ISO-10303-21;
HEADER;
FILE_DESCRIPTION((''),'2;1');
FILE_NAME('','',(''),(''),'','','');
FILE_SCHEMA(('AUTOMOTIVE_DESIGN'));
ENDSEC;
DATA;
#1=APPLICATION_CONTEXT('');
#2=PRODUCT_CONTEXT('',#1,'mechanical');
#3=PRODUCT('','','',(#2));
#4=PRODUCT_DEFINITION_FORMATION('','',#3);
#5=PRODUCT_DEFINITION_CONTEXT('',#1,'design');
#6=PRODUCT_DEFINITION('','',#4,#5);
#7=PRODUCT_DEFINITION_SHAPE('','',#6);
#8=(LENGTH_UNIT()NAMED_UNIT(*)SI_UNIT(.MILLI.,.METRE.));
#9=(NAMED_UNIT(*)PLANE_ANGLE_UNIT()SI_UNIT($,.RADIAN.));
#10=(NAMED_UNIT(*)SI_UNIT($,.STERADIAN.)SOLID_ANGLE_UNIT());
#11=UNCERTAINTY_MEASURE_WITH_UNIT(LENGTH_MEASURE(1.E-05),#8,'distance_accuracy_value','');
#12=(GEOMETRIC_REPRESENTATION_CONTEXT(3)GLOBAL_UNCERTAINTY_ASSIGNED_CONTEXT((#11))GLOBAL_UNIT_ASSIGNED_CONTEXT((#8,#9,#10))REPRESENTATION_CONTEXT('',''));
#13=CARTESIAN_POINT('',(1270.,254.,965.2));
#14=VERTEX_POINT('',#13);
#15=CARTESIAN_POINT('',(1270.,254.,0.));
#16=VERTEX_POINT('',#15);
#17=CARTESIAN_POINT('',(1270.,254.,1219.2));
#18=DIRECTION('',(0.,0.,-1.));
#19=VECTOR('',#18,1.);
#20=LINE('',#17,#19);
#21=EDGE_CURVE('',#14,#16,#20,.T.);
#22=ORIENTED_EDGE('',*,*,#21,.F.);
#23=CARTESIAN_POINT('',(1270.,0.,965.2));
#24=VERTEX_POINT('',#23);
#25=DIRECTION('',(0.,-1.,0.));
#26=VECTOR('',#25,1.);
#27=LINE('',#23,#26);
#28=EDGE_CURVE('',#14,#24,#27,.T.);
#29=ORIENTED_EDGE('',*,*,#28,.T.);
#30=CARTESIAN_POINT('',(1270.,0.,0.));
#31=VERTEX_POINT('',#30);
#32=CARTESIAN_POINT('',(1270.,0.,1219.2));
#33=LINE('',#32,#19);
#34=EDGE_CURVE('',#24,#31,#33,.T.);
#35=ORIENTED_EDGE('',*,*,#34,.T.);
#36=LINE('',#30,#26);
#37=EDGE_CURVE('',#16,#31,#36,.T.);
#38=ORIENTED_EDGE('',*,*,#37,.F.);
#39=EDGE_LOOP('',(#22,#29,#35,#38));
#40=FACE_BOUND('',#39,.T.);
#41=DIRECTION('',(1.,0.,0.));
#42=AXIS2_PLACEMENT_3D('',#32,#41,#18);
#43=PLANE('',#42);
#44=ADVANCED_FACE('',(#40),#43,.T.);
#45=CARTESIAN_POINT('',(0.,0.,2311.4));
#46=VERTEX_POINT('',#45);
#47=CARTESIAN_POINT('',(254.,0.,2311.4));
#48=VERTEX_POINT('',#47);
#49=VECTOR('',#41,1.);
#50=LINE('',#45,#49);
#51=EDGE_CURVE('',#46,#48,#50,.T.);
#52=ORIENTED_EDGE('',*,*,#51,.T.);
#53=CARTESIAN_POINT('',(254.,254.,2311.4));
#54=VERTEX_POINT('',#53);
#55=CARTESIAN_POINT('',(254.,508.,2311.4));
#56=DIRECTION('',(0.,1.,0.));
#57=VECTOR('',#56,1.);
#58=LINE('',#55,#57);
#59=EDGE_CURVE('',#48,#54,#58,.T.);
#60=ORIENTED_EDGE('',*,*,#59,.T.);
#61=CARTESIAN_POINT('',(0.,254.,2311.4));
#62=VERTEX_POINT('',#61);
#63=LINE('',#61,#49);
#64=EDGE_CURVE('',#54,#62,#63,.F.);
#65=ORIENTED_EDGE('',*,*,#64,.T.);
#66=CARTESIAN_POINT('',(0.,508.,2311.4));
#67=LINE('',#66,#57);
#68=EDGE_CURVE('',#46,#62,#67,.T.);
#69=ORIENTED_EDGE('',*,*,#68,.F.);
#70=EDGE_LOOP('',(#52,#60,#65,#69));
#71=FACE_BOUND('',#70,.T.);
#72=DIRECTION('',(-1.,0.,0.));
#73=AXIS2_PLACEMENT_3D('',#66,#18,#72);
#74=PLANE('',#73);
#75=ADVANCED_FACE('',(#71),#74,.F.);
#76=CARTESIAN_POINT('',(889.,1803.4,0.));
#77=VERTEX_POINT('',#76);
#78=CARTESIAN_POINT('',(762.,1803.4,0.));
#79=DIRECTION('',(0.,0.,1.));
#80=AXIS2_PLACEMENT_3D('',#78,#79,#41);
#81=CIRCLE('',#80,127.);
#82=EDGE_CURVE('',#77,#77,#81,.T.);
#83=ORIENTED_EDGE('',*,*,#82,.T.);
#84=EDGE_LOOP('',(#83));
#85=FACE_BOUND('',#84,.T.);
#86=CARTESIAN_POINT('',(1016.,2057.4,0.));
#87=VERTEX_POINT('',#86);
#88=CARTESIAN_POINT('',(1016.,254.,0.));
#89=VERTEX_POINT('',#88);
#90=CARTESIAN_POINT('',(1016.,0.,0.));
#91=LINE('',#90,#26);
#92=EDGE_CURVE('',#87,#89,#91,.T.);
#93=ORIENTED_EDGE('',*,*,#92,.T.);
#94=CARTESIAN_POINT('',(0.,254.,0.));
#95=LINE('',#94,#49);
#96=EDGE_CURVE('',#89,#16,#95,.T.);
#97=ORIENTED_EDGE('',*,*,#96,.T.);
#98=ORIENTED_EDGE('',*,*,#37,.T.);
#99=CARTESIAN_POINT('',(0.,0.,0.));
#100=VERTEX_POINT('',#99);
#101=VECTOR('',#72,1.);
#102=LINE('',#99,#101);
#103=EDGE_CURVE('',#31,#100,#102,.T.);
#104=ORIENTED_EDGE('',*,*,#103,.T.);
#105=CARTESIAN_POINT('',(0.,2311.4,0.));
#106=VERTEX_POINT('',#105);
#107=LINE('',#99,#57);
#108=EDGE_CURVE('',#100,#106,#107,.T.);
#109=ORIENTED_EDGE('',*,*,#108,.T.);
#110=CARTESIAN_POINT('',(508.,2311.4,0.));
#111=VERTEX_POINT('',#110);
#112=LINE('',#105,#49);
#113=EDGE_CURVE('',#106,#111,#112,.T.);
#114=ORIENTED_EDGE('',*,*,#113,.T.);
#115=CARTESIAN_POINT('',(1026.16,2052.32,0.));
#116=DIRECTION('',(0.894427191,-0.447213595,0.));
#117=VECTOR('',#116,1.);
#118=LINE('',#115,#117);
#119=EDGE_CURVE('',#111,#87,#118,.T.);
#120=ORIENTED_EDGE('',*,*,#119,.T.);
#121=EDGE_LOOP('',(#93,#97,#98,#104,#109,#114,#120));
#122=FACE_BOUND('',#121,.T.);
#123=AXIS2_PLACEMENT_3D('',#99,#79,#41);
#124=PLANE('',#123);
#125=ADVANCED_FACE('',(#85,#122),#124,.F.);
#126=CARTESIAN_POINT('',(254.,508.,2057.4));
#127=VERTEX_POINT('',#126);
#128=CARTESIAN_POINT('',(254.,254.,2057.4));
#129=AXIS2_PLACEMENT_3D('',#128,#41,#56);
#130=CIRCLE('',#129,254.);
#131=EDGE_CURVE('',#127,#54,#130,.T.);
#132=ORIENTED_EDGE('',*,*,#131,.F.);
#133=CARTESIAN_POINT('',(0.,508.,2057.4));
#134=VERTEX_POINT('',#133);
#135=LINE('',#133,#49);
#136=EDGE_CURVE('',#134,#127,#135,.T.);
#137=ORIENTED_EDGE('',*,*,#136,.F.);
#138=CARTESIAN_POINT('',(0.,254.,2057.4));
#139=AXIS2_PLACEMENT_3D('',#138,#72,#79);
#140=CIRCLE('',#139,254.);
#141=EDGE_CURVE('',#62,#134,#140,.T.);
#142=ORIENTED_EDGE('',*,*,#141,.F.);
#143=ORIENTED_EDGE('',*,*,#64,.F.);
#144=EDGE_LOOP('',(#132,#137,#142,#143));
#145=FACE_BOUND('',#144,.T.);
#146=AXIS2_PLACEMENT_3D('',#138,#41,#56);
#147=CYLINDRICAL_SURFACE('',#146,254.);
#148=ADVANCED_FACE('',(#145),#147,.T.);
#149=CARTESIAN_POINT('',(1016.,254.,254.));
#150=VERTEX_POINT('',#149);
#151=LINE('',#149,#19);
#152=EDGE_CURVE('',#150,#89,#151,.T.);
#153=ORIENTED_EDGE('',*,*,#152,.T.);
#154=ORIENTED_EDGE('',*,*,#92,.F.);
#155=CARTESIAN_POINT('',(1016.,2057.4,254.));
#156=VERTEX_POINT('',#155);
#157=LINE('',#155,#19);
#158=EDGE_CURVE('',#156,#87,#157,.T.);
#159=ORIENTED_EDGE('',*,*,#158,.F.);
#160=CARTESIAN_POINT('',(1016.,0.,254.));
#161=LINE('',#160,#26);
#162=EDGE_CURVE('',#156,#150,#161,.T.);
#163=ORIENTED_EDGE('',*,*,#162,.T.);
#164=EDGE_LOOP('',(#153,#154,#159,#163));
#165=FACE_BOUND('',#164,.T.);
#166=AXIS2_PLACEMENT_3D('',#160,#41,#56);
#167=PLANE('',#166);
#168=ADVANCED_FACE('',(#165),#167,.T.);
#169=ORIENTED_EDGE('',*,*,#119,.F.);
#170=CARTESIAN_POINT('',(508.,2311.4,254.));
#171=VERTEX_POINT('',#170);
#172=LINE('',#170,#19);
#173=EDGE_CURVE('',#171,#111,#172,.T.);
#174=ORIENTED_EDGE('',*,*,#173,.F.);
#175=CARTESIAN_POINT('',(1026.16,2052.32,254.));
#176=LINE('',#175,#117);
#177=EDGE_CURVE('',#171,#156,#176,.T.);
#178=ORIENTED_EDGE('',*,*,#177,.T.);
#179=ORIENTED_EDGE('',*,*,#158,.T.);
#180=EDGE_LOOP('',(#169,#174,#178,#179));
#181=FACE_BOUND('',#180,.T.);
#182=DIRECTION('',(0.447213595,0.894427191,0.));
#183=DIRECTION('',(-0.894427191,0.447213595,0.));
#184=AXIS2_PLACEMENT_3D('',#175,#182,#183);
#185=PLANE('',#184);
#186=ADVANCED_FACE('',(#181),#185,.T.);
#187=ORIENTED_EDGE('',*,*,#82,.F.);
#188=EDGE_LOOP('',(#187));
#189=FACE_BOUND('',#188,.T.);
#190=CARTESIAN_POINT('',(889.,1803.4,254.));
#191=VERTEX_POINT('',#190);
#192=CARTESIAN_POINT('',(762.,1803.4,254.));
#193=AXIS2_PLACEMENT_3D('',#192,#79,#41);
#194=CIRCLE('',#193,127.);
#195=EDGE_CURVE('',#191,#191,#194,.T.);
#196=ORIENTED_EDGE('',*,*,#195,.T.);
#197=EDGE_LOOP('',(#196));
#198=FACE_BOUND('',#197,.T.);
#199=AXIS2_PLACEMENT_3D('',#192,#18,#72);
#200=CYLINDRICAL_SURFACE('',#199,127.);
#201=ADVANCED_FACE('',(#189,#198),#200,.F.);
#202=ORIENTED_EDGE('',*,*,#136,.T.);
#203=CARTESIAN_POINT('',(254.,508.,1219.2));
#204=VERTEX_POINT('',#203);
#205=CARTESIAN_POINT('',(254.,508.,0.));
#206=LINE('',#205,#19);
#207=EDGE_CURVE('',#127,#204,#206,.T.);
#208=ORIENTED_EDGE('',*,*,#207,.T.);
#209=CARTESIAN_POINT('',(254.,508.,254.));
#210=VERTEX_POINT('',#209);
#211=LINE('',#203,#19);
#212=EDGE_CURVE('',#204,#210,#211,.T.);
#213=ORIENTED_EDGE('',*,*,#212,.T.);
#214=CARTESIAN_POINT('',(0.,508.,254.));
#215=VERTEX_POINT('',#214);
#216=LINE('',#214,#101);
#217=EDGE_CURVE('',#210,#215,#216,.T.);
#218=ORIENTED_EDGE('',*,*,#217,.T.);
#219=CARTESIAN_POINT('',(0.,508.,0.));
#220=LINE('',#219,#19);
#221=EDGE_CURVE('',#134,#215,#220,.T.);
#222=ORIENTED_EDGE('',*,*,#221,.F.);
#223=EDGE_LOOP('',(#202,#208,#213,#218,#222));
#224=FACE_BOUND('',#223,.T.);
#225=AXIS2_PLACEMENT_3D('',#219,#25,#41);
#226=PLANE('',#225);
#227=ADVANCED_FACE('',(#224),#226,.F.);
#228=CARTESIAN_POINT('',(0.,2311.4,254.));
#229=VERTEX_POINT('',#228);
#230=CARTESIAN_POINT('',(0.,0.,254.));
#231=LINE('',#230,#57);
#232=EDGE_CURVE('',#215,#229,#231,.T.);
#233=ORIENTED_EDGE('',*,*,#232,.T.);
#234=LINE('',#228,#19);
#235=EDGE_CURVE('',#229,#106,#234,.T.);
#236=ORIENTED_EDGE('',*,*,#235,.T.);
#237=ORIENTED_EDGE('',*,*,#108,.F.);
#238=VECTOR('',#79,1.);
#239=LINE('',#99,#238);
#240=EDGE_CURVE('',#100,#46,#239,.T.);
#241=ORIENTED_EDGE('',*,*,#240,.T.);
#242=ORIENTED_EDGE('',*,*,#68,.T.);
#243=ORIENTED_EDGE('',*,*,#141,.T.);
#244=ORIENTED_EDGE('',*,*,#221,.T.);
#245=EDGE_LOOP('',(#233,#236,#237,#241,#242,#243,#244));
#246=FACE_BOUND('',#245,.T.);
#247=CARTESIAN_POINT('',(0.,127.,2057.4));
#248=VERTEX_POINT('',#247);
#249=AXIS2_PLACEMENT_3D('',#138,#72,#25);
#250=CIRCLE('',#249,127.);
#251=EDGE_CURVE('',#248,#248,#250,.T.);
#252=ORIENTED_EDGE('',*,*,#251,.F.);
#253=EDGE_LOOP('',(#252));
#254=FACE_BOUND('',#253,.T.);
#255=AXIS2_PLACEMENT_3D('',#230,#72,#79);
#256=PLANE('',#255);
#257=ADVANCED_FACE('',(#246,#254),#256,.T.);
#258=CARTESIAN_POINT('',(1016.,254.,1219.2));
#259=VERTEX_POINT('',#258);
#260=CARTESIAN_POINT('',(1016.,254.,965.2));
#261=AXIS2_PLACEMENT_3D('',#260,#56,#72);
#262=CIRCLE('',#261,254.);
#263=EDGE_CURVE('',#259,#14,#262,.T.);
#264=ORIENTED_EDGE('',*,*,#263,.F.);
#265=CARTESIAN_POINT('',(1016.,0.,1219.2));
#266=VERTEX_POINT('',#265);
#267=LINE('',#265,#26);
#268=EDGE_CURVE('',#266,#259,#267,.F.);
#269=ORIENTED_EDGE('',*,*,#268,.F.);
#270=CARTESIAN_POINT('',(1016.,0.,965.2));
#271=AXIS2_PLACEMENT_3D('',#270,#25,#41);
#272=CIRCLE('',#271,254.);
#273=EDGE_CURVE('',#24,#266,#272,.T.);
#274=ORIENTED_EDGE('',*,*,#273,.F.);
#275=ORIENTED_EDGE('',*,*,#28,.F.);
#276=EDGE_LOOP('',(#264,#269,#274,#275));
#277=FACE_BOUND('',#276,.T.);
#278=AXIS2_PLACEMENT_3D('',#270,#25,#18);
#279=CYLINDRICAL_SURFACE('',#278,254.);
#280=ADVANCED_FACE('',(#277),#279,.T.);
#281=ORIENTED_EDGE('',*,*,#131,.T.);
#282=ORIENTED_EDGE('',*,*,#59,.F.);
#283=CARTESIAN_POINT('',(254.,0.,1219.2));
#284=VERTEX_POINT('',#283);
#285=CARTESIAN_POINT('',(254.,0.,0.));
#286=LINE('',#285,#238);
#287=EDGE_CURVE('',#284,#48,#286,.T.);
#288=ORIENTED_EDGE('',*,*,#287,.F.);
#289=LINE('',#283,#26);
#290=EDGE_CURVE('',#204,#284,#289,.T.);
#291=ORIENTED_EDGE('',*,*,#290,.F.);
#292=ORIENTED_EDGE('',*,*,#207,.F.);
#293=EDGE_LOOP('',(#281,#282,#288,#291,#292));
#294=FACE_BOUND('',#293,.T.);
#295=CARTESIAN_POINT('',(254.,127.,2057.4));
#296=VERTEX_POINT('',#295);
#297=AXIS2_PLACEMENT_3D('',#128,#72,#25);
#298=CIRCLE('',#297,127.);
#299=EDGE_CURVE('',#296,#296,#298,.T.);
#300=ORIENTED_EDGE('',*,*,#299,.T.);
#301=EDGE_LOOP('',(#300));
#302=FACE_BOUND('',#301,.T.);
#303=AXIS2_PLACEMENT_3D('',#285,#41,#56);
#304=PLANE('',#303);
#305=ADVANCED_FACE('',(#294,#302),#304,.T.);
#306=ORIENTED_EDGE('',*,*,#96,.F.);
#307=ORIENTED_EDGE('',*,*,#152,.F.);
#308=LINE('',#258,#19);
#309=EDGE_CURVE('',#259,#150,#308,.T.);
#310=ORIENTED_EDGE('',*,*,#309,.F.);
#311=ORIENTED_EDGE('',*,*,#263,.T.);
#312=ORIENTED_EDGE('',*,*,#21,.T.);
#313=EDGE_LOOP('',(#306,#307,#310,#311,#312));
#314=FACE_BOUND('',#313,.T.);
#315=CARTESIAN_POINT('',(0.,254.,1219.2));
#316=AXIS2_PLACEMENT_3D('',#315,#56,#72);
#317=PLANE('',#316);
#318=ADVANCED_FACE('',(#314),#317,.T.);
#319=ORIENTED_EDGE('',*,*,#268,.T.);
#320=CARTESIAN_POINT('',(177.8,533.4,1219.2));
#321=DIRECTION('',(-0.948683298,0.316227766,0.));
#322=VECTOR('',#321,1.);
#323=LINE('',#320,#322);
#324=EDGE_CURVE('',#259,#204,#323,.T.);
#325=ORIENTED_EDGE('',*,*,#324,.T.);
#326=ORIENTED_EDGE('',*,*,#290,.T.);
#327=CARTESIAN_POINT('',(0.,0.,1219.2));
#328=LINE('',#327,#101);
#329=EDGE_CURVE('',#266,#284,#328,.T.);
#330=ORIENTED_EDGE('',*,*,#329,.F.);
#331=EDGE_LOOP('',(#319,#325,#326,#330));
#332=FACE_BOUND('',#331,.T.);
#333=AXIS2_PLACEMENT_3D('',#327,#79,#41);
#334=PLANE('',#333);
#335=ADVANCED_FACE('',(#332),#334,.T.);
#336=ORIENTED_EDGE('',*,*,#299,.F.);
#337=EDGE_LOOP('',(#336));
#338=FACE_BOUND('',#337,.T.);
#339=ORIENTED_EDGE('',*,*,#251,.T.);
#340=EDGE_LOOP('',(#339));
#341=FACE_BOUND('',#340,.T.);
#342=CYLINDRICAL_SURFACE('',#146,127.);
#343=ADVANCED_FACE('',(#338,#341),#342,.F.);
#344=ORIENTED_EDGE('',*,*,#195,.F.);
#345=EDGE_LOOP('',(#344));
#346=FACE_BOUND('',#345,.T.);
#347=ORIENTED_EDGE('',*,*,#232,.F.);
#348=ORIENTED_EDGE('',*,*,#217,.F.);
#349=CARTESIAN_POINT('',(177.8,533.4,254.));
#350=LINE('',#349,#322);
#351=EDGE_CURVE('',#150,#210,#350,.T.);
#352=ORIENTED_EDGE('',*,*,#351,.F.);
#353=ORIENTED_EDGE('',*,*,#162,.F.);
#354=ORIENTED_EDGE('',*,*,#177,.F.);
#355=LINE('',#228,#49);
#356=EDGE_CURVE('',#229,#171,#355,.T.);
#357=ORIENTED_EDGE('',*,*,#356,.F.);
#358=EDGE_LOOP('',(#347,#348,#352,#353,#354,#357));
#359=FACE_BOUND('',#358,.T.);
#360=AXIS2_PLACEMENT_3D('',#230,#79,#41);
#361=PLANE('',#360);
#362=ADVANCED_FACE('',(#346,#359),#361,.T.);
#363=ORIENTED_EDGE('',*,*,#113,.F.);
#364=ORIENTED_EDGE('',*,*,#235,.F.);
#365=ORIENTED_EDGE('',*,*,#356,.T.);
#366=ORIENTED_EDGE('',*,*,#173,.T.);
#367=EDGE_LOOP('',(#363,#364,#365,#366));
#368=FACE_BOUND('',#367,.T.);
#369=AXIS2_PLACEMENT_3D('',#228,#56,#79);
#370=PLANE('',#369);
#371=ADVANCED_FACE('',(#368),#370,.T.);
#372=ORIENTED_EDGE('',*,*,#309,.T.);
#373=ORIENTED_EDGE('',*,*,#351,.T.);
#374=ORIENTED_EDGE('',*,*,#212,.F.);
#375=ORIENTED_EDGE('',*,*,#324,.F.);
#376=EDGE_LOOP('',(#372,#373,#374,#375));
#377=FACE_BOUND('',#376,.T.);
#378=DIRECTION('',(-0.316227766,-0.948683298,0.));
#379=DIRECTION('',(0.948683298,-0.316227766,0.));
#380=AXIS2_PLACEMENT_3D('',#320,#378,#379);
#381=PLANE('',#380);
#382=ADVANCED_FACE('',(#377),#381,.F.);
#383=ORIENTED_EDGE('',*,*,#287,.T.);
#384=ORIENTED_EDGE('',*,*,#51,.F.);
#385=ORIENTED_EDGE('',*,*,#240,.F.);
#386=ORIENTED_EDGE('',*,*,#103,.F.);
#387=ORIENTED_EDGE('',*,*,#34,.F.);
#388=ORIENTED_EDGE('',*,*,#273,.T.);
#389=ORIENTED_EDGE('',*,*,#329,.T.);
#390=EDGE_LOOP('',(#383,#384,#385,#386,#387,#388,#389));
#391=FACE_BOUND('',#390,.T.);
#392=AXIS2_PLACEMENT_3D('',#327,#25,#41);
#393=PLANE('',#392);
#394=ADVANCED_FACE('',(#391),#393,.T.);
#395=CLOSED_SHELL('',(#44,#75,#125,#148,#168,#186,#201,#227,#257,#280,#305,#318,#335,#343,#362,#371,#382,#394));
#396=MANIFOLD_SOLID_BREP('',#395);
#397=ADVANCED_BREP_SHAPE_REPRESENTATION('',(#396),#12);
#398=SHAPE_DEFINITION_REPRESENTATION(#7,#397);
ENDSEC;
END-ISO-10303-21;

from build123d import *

# Parameters (mm, degrees)
SKETCH1_R           = 127
BOSS_EXTRUDE1_DEPTH = 254
BOSS_EXTRUDE2_DEPTH = 1219.2
FILLET1_R           = 254
SKETCH2_W           = 2311.4
SKETCH2_H           = 508
SKETCH2_R           = 127
BOSS_EXTRUDE3_DEPTH = 254
FILLET2_R           = 254


with BuildPart() as part:
    # Sketch1 → Boss-Extrude1 (new body)
    with BuildSketch(Plane.XY):
        Polygon((0, 2311.4), (0, 508), (254, 508), (1016, 254), (1016, 2057.4), (508, 2311.4), align=None)
        with Locations((762, 1803.4)):
            Circle(SKETCH1_R, mode=Mode.SUBTRACT)
    extrude(amount=BOSS_EXTRUDE1_DEPTH)

    # Sketch1<3> → Boss-Extrude2 (add)
    with BuildSketch(Plane.XY):
        Polygon((254, 508), (254, 0), (1270, 0), (1270, 254), (1016, 254), align=None)
    extrude(amount=BOSS_EXTRUDE2_DEPTH)

    # Fillet1
    fillet1_edges = [part.edges().sort_by_distance(p)[0] for p in [
        (1270, 127, 1219.2),
    ]]
    fillet(fillet1_edges, radius=FILLET1_R)

    # Sketch2 → Boss-Extrude3 (add)
    with BuildSketch(Plane.ZY.offset(-254)):
        with Locations((1155.7, 254)):
            Rectangle(SKETCH2_W, SKETCH2_H)
        with Locations((2057.4, 254)):
            Circle(SKETCH2_R, mode=Mode.SUBTRACT)
    extrude(amount=BOSS_EXTRUDE3_DEPTH)

    # Fillet2
    fillet2_edges = [part.edges().sort_by_distance(p)[0] for p in [
        (127, 508, 2311.4),
    ]]
    fillet(fillet2_edges, radius=FILLET2_R)


solid = part.part
